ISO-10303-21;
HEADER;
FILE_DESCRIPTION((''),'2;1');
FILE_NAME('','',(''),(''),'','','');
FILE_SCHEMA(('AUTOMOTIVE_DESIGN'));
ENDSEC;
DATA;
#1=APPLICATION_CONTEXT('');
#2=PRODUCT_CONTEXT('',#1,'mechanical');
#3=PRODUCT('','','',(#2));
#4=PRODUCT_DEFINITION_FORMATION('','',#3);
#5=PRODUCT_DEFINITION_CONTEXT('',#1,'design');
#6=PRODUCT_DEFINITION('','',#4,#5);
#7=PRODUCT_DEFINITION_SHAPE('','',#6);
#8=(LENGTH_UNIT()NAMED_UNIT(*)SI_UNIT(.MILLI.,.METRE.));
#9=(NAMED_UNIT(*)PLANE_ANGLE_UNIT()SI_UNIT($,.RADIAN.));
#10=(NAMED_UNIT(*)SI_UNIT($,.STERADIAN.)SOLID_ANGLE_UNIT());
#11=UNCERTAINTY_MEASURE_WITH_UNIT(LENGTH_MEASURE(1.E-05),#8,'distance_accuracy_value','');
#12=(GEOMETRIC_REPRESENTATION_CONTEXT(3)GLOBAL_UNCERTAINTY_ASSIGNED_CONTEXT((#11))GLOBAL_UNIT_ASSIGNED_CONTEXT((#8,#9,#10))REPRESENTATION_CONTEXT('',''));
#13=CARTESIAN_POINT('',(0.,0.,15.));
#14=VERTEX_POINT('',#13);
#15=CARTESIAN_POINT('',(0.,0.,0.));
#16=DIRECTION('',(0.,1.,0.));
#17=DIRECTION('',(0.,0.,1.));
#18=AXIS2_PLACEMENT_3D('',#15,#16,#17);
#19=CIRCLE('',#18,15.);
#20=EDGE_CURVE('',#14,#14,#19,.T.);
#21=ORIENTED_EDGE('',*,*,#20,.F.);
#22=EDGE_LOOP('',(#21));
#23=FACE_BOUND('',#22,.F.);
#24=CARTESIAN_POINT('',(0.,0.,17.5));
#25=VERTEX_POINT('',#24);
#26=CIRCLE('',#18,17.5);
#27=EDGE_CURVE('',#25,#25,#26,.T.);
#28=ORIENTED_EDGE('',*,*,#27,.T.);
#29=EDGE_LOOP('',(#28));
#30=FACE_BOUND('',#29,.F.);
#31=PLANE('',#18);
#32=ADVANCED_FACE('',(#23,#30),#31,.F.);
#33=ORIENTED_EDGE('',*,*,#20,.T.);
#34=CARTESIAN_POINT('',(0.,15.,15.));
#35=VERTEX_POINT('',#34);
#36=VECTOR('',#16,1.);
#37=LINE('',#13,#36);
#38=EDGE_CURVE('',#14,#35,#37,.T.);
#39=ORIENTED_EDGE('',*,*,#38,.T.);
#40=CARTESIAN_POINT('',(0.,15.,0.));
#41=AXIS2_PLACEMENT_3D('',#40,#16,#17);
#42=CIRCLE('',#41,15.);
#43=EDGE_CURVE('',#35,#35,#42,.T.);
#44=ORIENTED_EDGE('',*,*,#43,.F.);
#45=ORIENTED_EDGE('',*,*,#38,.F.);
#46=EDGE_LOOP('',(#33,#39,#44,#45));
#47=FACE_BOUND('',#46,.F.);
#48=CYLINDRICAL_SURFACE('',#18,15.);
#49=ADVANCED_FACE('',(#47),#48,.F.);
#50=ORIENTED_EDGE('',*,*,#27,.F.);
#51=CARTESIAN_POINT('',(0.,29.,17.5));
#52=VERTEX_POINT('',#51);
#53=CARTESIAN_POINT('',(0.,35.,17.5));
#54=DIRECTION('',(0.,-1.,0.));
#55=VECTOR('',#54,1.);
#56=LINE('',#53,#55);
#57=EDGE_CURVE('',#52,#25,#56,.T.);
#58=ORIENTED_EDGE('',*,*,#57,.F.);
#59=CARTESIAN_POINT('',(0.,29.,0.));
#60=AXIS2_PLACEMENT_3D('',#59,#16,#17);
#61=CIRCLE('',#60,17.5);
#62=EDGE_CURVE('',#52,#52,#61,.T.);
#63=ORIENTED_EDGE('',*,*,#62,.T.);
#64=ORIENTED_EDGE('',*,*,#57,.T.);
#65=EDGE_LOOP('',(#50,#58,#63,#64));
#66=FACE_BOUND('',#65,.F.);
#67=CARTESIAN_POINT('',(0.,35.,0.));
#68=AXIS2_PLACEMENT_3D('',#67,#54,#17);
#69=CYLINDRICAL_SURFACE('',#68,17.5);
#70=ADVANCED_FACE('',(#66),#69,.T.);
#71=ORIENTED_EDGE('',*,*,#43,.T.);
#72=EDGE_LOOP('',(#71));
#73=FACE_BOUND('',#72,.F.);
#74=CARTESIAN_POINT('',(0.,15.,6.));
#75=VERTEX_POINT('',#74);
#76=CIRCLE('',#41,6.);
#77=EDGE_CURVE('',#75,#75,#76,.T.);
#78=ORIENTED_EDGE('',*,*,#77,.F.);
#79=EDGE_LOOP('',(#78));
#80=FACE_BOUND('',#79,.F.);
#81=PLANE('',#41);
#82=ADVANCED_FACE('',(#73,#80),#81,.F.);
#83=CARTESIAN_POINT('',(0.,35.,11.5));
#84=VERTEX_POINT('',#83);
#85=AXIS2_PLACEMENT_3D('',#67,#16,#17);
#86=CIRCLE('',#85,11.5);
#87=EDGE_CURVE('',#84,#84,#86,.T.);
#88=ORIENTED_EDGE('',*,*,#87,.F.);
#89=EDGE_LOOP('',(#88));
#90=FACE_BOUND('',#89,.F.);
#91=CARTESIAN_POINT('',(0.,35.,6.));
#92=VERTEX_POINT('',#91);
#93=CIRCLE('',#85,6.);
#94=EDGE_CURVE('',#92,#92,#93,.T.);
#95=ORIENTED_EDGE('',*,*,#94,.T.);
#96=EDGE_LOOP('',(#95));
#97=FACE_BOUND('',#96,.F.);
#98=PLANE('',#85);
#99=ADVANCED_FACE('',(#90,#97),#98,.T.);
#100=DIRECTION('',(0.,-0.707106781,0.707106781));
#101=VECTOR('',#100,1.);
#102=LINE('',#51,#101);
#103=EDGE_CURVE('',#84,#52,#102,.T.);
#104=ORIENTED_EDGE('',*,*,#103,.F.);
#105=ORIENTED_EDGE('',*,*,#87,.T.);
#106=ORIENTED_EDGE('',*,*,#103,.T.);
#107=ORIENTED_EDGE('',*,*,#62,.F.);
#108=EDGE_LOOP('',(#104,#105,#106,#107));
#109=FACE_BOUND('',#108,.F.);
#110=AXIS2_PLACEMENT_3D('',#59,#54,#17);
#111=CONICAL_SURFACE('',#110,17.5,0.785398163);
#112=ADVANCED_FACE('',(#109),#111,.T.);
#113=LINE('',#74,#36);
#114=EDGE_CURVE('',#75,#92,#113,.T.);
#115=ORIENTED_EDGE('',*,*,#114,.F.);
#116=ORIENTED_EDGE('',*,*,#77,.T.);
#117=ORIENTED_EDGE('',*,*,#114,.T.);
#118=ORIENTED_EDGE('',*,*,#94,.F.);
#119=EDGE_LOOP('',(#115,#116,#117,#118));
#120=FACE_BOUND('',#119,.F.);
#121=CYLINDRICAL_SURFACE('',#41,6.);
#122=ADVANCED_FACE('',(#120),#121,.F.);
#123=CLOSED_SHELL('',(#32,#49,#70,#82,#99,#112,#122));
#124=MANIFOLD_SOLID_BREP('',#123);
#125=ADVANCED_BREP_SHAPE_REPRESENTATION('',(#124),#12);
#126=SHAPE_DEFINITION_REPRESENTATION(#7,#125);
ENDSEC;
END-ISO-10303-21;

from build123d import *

# Parameters (mm, degrees)
F2_SIZE = 6


with BuildPart() as f1:
    # F0 (on Right) → F1 (revolve)
    with BuildSketch(Plane.YZ):
        Polygon((15, 6), (35, 6), (35, 17.5), (0, 17.5), (0, 15), (15, 15), align=None)
    revolve(axis=Axis((0, 7.5, 0), (0, 1, 0)))

    # F2
    f2_edges = [f1.edges().sort_by_distance(p)[0] for p in [
        (0, 35, -17.5),
    ]]
    chamfer(f2_edges, length=F2_SIZE)


solid = f1.part
